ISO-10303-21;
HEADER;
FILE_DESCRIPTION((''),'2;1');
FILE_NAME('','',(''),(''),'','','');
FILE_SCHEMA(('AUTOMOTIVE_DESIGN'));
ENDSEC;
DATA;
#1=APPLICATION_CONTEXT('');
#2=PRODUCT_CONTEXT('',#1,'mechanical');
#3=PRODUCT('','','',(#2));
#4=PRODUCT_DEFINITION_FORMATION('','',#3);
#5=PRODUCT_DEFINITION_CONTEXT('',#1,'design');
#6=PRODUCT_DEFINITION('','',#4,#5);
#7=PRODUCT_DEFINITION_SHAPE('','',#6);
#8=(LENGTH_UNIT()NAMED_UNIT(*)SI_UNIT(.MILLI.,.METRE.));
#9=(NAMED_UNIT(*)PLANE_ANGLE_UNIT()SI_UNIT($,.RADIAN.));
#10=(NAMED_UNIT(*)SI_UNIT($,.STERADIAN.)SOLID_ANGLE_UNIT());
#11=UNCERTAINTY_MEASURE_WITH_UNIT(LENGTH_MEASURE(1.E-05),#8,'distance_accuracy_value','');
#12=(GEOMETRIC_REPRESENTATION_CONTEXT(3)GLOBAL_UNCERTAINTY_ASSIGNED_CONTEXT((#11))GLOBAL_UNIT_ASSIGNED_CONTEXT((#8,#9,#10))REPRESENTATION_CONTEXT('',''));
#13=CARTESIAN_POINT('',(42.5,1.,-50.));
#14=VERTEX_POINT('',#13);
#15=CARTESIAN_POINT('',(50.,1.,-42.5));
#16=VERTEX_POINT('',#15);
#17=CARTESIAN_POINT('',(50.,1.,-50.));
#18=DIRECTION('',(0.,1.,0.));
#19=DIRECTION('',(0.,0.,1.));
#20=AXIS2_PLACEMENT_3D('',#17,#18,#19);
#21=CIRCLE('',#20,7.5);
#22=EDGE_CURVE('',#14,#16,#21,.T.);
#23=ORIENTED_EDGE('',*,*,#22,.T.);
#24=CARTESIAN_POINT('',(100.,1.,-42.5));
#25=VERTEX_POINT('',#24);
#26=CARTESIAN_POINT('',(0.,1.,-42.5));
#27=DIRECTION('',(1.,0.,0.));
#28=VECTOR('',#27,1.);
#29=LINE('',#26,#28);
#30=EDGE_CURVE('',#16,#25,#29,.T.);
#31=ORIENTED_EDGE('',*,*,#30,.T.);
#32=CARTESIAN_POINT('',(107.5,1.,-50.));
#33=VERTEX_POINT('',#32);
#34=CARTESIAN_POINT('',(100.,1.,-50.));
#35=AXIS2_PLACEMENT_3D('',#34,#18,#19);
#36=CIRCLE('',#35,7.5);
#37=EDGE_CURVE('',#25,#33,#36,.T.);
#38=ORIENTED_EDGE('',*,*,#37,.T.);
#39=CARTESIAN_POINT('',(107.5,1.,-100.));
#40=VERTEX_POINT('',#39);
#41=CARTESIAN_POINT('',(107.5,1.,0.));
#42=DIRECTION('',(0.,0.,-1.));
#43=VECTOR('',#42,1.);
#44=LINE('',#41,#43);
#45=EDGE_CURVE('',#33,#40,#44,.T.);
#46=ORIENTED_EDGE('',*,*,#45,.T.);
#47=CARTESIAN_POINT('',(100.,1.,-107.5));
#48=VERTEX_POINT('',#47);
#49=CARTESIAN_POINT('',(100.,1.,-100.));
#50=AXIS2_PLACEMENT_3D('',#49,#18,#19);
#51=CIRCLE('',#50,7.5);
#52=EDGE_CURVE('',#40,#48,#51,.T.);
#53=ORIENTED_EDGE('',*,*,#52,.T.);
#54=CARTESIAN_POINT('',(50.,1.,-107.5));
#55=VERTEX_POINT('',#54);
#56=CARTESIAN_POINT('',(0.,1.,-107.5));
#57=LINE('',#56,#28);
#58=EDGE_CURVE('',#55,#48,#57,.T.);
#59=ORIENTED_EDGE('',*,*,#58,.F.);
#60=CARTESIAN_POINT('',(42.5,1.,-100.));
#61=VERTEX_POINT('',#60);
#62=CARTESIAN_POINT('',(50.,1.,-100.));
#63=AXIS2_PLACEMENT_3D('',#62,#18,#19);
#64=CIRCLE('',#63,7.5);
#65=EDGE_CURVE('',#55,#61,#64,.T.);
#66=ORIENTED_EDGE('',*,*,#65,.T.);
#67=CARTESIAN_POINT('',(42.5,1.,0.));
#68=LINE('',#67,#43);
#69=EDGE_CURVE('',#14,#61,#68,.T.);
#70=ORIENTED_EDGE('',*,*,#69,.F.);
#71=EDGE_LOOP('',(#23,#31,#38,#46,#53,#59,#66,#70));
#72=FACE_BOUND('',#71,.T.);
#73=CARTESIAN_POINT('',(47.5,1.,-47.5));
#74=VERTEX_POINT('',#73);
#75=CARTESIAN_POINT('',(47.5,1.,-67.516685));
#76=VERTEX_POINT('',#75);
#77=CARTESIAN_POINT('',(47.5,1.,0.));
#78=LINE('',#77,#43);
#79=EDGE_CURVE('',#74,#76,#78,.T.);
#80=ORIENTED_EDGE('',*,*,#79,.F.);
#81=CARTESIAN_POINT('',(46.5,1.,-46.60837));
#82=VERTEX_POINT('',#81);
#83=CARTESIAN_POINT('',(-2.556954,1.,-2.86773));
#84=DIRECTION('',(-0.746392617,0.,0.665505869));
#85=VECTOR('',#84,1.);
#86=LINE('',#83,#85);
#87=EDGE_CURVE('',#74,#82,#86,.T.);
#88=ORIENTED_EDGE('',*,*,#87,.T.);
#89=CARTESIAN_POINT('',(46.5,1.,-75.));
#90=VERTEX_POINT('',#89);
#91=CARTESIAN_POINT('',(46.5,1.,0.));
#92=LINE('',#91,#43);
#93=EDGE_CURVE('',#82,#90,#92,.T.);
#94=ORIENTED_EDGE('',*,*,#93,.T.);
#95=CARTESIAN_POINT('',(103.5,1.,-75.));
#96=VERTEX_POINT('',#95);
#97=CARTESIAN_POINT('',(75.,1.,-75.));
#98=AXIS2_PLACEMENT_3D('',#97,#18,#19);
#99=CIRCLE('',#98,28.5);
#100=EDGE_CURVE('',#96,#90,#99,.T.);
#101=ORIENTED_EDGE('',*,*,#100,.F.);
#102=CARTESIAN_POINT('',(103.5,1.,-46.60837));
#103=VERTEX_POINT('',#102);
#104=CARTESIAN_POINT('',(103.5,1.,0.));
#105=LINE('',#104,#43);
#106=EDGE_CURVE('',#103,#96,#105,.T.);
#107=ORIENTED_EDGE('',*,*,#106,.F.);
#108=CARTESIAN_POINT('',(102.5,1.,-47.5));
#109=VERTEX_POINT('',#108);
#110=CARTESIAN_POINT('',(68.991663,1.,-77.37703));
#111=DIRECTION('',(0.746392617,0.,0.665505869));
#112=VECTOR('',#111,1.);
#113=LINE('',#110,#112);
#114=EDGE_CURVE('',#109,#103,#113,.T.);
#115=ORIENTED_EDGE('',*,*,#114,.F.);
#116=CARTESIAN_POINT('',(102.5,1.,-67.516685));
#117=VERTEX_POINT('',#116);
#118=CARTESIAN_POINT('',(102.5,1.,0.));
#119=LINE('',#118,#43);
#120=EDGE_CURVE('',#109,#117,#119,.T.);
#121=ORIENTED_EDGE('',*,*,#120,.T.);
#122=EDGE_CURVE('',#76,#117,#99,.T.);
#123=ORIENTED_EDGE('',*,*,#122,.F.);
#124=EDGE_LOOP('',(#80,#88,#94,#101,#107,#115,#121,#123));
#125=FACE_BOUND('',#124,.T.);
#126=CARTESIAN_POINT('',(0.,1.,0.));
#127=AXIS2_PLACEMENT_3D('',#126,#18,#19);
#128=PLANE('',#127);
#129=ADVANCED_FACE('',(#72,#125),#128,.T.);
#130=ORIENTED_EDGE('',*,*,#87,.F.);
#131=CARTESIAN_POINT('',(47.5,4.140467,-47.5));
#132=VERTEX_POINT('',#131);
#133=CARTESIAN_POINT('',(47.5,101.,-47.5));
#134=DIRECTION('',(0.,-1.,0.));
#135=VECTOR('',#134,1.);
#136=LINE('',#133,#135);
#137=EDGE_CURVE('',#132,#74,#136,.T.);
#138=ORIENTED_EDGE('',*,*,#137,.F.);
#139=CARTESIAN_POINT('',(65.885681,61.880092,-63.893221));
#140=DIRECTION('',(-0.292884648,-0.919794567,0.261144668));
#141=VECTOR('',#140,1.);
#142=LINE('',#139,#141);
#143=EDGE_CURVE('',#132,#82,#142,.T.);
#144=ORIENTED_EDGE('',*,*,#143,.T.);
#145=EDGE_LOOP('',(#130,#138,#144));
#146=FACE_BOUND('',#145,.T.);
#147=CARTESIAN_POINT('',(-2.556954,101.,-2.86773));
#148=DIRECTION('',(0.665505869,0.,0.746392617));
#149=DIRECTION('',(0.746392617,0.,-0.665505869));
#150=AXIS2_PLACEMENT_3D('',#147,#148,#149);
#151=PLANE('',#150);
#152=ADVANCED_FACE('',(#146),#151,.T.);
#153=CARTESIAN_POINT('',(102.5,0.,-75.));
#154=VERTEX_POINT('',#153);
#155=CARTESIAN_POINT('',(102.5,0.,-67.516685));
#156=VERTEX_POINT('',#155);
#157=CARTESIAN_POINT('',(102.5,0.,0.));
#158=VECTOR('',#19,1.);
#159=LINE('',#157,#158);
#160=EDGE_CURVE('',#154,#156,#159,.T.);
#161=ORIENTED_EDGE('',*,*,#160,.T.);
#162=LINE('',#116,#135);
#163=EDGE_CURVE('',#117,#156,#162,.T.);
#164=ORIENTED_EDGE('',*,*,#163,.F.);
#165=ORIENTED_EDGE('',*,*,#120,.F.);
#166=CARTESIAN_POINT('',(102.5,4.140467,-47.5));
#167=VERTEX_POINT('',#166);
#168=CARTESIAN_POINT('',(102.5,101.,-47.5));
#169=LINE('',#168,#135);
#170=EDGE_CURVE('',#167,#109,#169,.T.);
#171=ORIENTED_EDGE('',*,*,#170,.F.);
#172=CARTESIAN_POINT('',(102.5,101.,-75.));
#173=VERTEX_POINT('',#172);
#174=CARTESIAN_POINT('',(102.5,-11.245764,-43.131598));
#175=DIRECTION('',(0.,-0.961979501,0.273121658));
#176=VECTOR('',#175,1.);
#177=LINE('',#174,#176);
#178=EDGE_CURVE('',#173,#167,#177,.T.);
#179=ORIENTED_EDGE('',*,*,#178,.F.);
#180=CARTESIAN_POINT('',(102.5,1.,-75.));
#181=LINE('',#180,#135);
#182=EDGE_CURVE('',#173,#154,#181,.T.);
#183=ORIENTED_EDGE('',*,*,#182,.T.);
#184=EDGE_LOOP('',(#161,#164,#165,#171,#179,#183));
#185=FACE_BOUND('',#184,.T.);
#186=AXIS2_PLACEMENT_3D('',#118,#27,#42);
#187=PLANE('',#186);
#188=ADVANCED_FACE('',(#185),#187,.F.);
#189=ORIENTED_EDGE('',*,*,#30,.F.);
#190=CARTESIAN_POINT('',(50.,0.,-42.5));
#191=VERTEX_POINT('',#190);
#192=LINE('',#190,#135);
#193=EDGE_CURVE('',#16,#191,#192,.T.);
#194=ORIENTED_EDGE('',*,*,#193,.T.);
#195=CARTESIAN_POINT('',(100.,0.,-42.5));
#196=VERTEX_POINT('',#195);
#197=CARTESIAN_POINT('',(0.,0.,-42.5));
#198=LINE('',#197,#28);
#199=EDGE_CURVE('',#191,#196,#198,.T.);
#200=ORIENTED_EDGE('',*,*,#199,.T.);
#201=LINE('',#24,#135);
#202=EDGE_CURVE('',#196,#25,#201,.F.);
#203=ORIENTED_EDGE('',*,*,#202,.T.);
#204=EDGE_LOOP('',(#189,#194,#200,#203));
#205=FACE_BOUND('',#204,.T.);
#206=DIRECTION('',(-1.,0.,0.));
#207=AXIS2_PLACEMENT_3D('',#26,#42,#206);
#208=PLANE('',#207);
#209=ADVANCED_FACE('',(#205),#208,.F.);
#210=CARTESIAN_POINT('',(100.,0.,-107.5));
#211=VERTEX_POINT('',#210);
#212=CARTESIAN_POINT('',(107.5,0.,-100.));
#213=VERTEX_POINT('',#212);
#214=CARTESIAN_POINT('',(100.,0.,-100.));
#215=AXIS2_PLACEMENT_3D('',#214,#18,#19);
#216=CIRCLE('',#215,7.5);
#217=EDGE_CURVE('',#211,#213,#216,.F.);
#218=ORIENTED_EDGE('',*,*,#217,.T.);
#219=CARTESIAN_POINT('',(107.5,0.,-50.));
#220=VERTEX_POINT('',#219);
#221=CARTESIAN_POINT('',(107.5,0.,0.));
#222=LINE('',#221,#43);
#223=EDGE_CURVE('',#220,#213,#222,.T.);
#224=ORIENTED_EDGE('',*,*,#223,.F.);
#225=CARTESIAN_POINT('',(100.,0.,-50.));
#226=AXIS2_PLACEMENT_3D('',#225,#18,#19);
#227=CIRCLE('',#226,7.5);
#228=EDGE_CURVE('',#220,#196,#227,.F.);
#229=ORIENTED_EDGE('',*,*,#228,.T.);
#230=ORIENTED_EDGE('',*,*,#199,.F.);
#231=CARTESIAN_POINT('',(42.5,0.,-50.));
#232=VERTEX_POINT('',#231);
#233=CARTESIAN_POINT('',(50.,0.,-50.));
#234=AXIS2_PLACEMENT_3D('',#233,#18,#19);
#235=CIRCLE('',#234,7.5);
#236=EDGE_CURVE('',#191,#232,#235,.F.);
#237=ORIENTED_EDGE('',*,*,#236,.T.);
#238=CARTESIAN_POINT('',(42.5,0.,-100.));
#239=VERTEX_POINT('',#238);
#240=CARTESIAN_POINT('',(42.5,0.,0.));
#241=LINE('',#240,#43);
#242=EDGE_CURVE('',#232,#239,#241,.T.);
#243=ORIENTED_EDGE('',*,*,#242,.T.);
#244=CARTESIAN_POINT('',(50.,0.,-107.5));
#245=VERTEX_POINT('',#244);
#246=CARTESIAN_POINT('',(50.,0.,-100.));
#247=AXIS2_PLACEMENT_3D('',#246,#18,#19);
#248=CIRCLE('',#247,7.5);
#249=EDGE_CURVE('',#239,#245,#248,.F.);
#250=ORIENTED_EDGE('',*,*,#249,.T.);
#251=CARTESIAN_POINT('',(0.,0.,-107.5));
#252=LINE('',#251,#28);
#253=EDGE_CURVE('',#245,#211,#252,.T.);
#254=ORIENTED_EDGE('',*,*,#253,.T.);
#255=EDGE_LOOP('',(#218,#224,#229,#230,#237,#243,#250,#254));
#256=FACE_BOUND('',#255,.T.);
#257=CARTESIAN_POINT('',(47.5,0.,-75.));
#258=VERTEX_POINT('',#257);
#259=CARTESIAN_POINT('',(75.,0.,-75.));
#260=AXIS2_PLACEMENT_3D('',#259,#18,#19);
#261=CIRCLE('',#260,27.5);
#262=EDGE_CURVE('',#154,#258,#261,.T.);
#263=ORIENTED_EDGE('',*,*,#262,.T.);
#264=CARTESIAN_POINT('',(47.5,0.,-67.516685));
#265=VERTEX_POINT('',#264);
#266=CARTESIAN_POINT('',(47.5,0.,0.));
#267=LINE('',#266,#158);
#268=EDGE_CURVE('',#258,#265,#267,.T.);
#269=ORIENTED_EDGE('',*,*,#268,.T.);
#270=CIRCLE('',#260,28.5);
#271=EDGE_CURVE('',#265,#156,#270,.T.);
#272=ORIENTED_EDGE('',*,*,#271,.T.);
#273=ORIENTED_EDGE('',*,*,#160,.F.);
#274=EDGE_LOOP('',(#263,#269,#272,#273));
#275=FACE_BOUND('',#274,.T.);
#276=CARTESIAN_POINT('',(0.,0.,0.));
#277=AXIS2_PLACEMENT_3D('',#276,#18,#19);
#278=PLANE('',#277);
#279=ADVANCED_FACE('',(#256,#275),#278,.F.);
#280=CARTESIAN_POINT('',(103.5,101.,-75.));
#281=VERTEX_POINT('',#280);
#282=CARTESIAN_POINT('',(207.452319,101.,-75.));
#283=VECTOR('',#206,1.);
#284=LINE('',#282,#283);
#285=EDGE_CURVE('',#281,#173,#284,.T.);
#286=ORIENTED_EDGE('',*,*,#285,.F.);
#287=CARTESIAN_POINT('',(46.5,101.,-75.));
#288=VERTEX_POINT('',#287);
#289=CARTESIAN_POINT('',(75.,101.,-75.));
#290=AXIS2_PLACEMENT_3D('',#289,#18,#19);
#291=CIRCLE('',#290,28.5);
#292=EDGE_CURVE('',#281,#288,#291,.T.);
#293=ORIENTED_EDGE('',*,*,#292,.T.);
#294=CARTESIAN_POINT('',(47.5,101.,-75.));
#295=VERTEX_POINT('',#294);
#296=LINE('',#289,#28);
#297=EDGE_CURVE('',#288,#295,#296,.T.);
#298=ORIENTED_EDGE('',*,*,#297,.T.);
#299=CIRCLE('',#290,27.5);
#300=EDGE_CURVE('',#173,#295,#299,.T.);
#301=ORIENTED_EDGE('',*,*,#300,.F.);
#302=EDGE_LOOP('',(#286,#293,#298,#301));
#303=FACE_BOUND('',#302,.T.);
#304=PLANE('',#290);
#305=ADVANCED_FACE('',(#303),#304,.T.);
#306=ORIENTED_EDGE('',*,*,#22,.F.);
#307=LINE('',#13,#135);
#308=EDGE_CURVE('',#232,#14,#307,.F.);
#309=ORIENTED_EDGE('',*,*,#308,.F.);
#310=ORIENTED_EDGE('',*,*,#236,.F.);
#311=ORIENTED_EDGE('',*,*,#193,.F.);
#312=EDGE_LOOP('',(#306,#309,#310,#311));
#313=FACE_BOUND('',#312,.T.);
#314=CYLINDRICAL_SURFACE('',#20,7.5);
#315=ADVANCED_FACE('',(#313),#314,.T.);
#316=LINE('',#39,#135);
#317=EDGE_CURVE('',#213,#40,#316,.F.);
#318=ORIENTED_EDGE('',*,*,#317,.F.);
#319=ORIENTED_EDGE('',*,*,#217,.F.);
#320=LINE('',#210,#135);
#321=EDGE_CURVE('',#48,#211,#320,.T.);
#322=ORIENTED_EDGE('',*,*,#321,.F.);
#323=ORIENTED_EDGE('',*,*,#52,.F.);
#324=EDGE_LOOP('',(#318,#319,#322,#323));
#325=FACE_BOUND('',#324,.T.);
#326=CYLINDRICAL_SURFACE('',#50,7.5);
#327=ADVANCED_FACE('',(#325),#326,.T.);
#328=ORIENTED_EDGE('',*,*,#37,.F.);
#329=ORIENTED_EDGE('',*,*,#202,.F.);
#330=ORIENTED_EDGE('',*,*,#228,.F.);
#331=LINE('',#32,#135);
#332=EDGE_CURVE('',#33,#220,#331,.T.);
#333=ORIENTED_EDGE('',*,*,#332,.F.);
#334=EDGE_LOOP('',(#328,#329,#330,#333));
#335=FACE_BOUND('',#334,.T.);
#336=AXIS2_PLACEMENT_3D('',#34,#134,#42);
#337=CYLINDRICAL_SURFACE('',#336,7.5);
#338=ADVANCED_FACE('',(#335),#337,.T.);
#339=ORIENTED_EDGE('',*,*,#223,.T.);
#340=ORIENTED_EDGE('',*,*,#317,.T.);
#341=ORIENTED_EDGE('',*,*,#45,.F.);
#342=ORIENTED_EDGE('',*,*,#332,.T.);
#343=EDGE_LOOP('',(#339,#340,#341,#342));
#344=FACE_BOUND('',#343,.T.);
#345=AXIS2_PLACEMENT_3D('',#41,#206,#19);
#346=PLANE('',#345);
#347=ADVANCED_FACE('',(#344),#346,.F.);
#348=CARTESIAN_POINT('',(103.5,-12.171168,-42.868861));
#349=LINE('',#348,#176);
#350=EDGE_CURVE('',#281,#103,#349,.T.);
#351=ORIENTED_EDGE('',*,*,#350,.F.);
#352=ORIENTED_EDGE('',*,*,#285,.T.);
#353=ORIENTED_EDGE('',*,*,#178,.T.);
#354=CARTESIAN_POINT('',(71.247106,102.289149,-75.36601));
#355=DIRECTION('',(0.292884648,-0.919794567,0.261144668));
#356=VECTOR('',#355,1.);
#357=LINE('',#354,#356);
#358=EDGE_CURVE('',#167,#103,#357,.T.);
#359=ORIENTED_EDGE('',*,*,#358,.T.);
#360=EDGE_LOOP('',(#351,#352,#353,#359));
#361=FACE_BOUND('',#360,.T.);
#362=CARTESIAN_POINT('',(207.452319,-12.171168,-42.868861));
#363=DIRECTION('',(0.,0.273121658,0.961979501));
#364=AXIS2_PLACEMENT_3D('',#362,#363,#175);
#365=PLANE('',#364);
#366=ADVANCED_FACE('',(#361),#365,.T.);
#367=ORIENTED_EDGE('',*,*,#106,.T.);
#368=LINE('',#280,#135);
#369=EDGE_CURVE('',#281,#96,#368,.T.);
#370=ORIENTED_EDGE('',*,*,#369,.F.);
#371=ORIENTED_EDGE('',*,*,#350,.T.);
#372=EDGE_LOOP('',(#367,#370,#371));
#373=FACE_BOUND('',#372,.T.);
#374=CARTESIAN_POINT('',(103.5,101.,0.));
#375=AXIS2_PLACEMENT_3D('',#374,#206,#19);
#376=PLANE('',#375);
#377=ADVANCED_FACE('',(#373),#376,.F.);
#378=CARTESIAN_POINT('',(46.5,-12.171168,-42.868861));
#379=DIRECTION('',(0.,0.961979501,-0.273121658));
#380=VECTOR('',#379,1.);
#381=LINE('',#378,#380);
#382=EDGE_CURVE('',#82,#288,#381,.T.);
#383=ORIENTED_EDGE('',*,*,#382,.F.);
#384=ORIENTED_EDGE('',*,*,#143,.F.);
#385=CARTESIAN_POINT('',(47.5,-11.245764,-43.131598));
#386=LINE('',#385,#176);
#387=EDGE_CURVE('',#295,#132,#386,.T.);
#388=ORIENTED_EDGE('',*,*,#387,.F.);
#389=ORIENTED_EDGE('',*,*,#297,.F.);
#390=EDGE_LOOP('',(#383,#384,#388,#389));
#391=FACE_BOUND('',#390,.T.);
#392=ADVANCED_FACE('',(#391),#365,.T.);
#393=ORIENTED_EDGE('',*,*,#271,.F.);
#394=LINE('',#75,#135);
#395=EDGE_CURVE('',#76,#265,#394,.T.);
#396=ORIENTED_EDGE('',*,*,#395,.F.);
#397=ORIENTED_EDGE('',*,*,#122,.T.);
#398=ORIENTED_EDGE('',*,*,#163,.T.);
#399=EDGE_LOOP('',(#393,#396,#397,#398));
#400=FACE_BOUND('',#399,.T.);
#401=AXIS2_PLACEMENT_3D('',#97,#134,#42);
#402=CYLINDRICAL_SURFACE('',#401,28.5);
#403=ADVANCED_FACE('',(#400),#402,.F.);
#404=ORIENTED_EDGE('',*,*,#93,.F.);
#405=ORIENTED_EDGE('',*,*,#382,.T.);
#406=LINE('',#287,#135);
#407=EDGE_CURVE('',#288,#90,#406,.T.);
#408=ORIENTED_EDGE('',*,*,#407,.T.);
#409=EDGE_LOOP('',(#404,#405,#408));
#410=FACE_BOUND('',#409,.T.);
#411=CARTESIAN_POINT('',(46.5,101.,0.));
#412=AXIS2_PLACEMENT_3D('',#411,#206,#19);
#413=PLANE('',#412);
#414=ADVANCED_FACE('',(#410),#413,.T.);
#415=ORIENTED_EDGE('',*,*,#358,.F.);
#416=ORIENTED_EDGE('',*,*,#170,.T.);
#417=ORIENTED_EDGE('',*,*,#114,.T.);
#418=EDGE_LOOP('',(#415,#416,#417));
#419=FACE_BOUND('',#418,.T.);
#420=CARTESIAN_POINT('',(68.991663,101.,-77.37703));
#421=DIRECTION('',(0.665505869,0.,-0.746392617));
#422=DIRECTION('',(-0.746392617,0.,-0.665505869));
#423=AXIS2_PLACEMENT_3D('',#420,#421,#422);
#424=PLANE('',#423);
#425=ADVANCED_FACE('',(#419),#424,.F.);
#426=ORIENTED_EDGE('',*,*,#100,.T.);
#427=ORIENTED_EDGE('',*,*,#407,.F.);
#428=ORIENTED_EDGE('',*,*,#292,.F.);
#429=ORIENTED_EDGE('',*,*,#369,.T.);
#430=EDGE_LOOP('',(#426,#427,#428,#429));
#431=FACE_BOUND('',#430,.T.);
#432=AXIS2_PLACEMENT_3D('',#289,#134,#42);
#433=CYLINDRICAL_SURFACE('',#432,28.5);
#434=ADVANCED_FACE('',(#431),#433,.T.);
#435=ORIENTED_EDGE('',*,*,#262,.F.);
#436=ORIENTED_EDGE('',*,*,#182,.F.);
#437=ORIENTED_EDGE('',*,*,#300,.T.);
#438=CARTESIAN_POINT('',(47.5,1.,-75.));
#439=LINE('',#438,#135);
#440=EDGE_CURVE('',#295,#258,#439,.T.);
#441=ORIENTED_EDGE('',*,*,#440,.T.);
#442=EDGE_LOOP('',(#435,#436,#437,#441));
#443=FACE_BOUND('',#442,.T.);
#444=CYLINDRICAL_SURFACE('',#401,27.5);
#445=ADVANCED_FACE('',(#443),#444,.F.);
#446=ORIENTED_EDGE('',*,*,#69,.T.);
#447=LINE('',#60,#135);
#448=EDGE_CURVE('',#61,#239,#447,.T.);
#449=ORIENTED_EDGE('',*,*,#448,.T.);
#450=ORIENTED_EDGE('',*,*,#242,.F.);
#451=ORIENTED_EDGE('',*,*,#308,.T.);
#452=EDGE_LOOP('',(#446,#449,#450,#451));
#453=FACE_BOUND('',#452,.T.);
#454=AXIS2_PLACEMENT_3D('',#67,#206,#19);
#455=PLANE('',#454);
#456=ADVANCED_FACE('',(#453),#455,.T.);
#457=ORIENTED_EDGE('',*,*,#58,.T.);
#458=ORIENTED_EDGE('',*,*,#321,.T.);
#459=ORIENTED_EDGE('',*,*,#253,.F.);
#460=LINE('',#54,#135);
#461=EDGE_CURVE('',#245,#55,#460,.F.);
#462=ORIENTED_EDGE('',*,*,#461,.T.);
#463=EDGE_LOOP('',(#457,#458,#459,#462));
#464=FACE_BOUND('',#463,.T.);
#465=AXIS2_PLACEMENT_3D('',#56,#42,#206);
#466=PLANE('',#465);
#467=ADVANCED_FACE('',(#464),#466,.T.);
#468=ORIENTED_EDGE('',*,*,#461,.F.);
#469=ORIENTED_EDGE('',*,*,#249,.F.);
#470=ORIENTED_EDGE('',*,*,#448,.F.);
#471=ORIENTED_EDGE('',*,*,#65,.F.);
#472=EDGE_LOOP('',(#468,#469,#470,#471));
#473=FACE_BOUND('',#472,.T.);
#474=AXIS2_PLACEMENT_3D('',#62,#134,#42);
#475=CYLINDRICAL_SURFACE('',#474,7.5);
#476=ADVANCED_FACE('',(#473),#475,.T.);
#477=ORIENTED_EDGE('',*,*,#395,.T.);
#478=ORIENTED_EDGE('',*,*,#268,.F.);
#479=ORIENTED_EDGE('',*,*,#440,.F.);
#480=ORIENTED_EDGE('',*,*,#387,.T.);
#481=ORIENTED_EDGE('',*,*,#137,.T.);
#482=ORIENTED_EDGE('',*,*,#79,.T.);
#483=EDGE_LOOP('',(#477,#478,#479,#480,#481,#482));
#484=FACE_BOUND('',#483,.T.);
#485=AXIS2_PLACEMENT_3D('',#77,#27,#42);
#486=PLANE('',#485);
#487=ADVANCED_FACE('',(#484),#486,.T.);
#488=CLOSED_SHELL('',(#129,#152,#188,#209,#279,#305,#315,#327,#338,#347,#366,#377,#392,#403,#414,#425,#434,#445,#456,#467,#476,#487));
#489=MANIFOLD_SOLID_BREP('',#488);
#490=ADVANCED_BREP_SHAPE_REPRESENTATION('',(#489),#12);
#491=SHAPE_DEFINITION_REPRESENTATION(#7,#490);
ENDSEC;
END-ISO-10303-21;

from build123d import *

# Parameters (mm, degrees)
ESQUISSE1_W             = 65
ESQUISSE1_H             = 65
BOSS_EXTRU_1_DEPTH      = 1
BOSS_EXTRU_2_START      = 1
BOSS_EXTRU_2_DEPTH      = 100
ENL_V_MAT_EXTRU_1_REACH = 161.619
CONG_1_R                = 7.5


with BuildPart() as part:
    # Esquisse1 → Boss.-Extru.1 (new body)
    with BuildSketch(Plane(origin=(0, 0, 0), x_dir=(1, 0, 0), z_dir=(0, 1, 0))):
        with Locations((75, 75)):
            Rectangle(ESQUISSE1_W, ESQUISSE1_H)
        with BuildLine():
            Line((47.5, 67.516685226), (47.5, 75))
            ThreePointArc((47.5, 75), (75, 102.5), (102.5, 75))
            Line((102.5, 75), (102.5, 67.516685226))
            ThreePointArc((102.5, 67.516685226), (75, 46.5), (47.5, 67.516685226))
        make_face(mode=Mode.SUBTRACT)
    extrude(amount=BOSS_EXTRU_1_DEPTH)

    # Esquisse1<3> → Boss.-Extru.2 (add)
    with BuildSketch(Plane(origin=(0, 0, 0), x_dir=(1, 0, 0), z_dir=(0, 1, 0)).offset(BOSS_EXTRU_2_START)):
        with BuildLine():
            ThreePointArc((103.5, 75), (75, 103.5), (46.5, 75))
            Line((46.5, 75), (46.5, 46.608370242))
            Line((46.5, 46.608370242), (47.5, 47.5))
            Line((47.5, 47.5), (47.5, 67.516685226))
            Line((47.5, 67.516685226), (47.5, 75))
            ThreePointArc((47.5, 75), (75, 102.5), (102.5, 75))
            Line((102.5, 75), (102.5, 67.516685226))
            Line((102.5, 67.516685226), (102.5, 47.5))
            Line((102.5, 47.5), (103.5, 46.608370242))
            Line((103.5, 46.608370242), (103.5, 75))
        make_face()
    extrude(amount=BOSS_EXTRU_2_DEPTH)

    # Enlèv. mat.-Extru.1: up to this face of the body (flat: up to its plane)
    enl_v_mat_extru_1_end = Plane(part.part.faces().sort_by_distance((103.5, 51, -60.804185121))[0])
    # Esquisse2 → Enlèv. mat.-Extru.1 (cut, up to the picked face)
    with BuildSketch(Plane.ZY.offset(-46.5), mode=Mode.PRIVATE) as enl_v_mat_extru_1_sk1:
        Polygon((-46.608370242, 1), (-75, 101), (-46.608370242, 101), align=None)
    enl_v_mat_extru_1_tool1 = split(extrude(enl_v_mat_extru_1_sk1.sketch, amount=-ENL_V_MAT_EXTRU_1_REACH, mode=Mode.PRIVATE), bisect_by=enl_v_mat_extru_1_end, keep=Keep.BOTH, mode=Mode.PRIVATE)
    add(enl_v_mat_extru_1_tool1.solids().sort_by(Axis((46.5, 67.666667, -56.072247), (1, 0, 0)))[0], mode=Mode.SUBTRACT)

    # Congé1
    cong_1_edges = [part.edges().sort_by_distance(p)[0] for p in [
        (42.5, 0.5, -42.5),
        (42.5, 0.5, -107.5),
        (107.5, 0.5, -107.5),
        (107.5, 0.5, -42.5),
    ]]
    fillet(cong_1_edges, radius=CONG_1_R)


solid = part.part
